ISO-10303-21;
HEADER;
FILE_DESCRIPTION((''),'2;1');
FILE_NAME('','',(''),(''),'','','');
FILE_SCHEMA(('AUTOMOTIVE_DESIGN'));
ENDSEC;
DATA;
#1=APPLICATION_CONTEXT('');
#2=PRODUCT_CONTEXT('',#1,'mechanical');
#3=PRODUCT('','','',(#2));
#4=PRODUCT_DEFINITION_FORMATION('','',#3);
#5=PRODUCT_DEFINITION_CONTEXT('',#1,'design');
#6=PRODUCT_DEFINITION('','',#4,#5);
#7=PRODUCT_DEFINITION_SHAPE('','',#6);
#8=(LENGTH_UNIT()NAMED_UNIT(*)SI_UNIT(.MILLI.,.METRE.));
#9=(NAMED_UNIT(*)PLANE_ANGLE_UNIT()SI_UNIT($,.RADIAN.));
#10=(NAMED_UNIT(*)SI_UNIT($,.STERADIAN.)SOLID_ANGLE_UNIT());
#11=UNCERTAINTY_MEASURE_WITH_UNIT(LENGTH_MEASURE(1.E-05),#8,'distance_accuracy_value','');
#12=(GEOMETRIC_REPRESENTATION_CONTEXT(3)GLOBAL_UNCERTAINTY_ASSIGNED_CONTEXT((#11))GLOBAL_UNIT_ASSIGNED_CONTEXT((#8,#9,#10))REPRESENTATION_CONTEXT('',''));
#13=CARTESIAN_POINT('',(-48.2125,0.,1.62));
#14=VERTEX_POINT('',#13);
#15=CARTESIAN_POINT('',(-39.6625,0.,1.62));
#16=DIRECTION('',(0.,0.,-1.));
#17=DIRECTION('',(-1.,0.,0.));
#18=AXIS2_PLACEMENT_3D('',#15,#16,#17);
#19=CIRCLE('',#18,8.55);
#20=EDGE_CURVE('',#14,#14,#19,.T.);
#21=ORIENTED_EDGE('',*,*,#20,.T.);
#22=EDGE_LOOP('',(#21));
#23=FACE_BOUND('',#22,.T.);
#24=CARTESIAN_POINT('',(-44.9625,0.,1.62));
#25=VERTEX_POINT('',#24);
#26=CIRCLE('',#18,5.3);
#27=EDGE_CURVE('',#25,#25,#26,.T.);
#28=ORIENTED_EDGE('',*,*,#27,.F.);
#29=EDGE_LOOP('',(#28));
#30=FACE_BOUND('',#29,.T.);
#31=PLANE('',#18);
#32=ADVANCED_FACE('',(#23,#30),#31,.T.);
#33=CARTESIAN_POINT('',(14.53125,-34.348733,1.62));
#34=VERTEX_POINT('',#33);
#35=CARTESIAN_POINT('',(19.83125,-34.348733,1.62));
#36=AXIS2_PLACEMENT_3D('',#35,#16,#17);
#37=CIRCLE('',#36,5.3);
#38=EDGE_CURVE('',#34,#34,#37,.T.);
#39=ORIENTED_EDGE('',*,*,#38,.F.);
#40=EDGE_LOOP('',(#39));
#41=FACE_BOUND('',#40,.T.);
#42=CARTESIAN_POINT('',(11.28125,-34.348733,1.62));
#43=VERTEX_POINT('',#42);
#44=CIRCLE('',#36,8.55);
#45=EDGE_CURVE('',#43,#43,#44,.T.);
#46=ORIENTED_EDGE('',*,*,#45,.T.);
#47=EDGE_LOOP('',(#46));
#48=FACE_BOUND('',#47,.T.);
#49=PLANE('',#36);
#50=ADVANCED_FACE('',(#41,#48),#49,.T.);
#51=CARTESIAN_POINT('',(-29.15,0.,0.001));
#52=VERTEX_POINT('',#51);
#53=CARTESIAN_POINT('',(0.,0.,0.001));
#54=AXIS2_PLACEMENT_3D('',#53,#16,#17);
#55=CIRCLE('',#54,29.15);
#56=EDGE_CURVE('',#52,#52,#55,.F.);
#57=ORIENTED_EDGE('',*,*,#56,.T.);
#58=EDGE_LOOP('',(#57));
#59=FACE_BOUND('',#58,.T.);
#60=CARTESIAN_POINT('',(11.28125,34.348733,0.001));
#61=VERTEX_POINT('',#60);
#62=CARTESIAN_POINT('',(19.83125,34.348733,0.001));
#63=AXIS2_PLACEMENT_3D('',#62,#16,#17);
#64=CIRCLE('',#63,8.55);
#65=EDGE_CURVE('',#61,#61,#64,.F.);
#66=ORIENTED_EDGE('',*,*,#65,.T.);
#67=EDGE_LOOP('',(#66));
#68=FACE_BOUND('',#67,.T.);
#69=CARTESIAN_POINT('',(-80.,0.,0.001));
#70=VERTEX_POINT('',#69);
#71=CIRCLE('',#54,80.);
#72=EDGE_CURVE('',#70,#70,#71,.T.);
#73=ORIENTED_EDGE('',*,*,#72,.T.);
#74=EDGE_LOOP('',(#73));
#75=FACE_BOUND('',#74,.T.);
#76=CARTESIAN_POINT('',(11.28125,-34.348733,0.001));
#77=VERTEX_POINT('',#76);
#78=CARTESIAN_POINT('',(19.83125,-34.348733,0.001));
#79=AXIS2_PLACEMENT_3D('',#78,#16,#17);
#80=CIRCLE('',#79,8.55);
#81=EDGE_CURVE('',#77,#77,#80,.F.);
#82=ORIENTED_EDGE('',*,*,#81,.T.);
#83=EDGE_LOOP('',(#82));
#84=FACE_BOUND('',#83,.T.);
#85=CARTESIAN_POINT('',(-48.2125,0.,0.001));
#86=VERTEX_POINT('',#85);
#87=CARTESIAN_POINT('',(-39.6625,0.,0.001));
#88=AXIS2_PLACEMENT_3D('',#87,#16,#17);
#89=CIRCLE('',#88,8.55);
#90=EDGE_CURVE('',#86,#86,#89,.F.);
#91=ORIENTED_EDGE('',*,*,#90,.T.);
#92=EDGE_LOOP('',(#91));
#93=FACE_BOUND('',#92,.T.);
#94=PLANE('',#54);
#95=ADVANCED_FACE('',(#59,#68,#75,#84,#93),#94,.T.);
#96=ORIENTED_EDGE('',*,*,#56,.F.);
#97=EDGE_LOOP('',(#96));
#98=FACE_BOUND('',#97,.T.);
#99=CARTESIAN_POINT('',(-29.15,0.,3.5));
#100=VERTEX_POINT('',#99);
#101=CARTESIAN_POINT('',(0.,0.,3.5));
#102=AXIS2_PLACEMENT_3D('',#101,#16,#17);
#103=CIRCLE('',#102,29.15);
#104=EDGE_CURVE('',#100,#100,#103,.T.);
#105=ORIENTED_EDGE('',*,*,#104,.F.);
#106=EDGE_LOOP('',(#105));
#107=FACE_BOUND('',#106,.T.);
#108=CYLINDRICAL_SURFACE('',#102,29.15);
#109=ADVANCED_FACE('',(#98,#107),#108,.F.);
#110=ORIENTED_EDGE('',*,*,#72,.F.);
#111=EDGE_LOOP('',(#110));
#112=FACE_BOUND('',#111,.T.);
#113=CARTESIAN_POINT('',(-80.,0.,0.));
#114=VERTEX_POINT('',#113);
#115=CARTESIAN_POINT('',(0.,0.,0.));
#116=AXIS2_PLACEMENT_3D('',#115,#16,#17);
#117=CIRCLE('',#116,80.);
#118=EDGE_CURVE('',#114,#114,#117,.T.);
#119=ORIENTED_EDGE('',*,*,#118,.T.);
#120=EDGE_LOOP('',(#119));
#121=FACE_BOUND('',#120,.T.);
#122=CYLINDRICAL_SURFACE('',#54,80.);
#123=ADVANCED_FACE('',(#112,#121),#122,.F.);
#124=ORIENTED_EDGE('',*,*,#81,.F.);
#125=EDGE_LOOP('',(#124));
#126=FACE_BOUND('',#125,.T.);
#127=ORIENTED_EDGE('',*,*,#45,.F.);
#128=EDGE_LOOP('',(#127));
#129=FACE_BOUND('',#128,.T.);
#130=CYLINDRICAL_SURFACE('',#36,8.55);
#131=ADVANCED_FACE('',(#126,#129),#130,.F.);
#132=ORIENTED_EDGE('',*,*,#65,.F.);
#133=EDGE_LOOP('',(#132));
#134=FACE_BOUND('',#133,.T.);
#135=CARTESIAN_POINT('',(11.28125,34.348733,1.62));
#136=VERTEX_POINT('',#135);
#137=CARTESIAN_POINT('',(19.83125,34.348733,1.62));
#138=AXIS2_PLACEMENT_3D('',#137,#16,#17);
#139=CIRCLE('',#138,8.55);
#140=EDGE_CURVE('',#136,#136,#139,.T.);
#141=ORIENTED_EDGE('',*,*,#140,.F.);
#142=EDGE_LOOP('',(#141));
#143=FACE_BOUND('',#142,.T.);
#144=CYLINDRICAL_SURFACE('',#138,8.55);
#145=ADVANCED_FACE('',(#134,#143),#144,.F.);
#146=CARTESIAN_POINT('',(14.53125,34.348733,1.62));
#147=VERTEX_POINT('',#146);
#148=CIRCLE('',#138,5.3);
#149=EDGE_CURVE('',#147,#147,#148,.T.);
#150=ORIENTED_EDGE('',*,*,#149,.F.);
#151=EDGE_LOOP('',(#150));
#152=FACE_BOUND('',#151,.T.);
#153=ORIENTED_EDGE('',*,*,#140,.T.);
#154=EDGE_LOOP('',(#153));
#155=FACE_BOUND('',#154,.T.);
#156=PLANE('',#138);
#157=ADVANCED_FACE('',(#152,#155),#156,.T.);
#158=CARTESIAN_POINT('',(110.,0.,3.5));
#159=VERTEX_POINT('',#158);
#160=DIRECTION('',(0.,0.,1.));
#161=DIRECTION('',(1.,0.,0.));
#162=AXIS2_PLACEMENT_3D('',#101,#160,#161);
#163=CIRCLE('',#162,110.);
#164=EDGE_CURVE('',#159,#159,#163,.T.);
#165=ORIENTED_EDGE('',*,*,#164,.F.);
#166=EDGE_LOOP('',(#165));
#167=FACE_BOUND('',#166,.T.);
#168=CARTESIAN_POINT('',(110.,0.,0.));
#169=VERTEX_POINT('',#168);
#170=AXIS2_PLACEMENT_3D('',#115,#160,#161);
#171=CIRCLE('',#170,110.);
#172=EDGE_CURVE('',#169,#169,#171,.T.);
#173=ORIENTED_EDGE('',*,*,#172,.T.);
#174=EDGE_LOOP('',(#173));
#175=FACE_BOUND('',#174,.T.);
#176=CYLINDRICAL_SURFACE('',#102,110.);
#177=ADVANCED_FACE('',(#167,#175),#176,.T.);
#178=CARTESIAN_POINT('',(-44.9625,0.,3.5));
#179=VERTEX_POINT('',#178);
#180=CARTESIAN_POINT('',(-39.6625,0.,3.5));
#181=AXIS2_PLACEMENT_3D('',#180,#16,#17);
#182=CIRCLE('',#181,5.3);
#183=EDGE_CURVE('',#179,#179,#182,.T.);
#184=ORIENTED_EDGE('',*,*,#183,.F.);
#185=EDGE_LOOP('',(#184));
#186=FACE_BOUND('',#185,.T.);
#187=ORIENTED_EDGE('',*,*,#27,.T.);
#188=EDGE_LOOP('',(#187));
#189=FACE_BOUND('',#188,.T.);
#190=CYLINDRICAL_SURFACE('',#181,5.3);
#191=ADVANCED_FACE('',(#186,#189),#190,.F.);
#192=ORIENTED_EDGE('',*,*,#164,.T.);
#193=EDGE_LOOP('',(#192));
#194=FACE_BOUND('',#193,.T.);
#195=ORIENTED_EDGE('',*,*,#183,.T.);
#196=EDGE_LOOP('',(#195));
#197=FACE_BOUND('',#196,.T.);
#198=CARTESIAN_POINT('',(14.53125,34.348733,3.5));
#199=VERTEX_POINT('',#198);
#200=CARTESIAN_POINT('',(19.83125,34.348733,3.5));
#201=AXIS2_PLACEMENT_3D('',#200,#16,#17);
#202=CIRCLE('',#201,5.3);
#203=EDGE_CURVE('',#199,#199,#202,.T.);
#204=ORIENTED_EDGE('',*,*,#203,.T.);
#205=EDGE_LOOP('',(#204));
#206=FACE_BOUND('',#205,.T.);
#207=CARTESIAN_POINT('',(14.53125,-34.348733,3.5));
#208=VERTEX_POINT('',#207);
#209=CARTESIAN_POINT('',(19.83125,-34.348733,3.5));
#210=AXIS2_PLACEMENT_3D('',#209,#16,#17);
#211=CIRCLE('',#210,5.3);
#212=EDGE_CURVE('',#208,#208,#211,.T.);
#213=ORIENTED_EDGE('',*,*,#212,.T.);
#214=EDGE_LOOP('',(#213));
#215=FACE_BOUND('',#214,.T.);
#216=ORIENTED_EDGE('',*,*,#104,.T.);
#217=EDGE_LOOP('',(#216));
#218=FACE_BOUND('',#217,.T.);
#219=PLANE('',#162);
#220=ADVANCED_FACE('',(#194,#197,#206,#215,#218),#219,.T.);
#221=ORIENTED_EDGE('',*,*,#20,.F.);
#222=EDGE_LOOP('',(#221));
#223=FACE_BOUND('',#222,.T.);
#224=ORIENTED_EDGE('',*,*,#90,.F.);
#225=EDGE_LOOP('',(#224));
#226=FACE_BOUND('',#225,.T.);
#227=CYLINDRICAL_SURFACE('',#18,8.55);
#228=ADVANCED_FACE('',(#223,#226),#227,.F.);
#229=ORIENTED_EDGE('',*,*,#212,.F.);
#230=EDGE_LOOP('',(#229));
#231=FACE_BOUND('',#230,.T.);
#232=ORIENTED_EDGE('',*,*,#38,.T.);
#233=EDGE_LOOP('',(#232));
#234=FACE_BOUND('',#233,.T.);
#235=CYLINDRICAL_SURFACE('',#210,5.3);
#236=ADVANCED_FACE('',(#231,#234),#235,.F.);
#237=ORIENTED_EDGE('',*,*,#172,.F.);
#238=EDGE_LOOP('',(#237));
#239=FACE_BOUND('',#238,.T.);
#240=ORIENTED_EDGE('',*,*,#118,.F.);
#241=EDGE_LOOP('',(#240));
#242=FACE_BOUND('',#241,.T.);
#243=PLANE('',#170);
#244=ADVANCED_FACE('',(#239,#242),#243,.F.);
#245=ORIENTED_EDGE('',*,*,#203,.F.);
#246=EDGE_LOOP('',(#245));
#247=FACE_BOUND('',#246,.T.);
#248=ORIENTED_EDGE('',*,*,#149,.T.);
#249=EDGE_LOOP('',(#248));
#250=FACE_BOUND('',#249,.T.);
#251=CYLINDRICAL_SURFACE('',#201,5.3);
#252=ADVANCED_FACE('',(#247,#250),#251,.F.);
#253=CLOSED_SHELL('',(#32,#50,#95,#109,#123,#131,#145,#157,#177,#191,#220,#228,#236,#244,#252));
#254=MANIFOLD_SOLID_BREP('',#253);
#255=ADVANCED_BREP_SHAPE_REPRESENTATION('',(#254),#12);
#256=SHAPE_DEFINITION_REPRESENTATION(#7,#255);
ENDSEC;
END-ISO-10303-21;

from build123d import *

# Parameters (mm, degrees)
SKETCH1_R           = 110
BOSS_EXTRUDE1_DEPTH = 3.5
SKETCH2_R           = 80
BOSS_EXTRUDE2_DEPTH = 0.001
SKETCH3_R           = 29.15
CUT_EXTRUDE1_DEPTH  = 4.5
SKETCH6_R           = 8.55
SKETCH6_R_2         = 5.3
CUT_EXTRUDE3_DEPTH  = 1.62
SKETCH7_R           = 5.3
CUT_EXTRUDE4_DEPTH  = 4.5
SKETCH8_R           = 80
CUT_EXTRUDE5_DEPTH  = 0.001


with BuildPart() as part:
    # Sketch1 → Boss-Extrude1 (new body)
    with BuildSketch(Plane.XY):
        Circle(SKETCH1_R)
    extrude(amount=BOSS_EXTRUDE1_DEPTH)

    # Sketch2 → Boss-Extrude2 (add)
    with BuildSketch(Plane(origin=(0, 0, 0), x_dir=(-1, 0, 0), z_dir=(0, 0, -1))):
        Circle(SKETCH2_R)
    extrude(amount=-BOSS_EXTRUDE2_DEPTH)

    # Sketch3 → Cut-Extrude1 (cut, through all)
    with BuildSketch(Plane(origin=(0, 0, 0), x_dir=(-1, 0, 0), z_dir=(0, 0, -1))):
        Circle(SKETCH3_R)
    extrude(amount=-CUT_EXTRUDE1_DEPTH, mode=Mode.SUBTRACT)

    # Sketch6 → Cut-Extrude3 (cut)
    with BuildSketch(Plane(origin=(0, 0, 0), x_dir=(-1, 0, 0), z_dir=(0, 0, -1))):
        with Locations((39.6625, 0)):
            Circle(SKETCH6_R)
        with Locations((39.6625, 0)):
            Circle(SKETCH6_R_2, mode=Mode.SUBTRACT)
        with Locations((-19.83125, -34.348732578)):
            Circle(SKETCH6_R)
        with Locations((-19.83125, -34.348732578)):
            Circle(SKETCH6_R_2, mode=Mode.SUBTRACT)
        with Locations((-19.83125, 34.348732578)):
            Circle(SKETCH6_R)
        with Locations((-19.83125, 34.348732578)):
            Circle(SKETCH6_R_2, mode=Mode.SUBTRACT)
    extrude(amount=-CUT_EXTRUDE3_DEPTH, mode=Mode.SUBTRACT)

    # Sketch7 → Cut-Extrude4 (cut, through all)
    with BuildSketch(Plane(origin=(0, 0, 0), x_dir=(-1, 0, 0), z_dir=(0, 0, -1))):
        with Locations((-19.83125, -34.348732578)):
            Circle(SKETCH7_R)
        with Locations((39.6625, 0)):
            Circle(SKETCH7_R)
        with Locations((-19.83125, 34.348732578)):
            Circle(SKETCH7_R)
    extrude(amount=-CUT_EXTRUDE4_DEPTH, mode=Mode.SUBTRACT)

    # Sketch8 → Cut-Extrude5 (cut)
    with BuildSketch(Plane(origin=(0, 0, 0), x_dir=(-1, 0, 0), z_dir=(0, 0, -1))):
        Circle(SKETCH8_R)
    extrude(amount=-CUT_EXTRUDE5_DEPTH, mode=Mode.SUBTRACT)


solid = part.part
